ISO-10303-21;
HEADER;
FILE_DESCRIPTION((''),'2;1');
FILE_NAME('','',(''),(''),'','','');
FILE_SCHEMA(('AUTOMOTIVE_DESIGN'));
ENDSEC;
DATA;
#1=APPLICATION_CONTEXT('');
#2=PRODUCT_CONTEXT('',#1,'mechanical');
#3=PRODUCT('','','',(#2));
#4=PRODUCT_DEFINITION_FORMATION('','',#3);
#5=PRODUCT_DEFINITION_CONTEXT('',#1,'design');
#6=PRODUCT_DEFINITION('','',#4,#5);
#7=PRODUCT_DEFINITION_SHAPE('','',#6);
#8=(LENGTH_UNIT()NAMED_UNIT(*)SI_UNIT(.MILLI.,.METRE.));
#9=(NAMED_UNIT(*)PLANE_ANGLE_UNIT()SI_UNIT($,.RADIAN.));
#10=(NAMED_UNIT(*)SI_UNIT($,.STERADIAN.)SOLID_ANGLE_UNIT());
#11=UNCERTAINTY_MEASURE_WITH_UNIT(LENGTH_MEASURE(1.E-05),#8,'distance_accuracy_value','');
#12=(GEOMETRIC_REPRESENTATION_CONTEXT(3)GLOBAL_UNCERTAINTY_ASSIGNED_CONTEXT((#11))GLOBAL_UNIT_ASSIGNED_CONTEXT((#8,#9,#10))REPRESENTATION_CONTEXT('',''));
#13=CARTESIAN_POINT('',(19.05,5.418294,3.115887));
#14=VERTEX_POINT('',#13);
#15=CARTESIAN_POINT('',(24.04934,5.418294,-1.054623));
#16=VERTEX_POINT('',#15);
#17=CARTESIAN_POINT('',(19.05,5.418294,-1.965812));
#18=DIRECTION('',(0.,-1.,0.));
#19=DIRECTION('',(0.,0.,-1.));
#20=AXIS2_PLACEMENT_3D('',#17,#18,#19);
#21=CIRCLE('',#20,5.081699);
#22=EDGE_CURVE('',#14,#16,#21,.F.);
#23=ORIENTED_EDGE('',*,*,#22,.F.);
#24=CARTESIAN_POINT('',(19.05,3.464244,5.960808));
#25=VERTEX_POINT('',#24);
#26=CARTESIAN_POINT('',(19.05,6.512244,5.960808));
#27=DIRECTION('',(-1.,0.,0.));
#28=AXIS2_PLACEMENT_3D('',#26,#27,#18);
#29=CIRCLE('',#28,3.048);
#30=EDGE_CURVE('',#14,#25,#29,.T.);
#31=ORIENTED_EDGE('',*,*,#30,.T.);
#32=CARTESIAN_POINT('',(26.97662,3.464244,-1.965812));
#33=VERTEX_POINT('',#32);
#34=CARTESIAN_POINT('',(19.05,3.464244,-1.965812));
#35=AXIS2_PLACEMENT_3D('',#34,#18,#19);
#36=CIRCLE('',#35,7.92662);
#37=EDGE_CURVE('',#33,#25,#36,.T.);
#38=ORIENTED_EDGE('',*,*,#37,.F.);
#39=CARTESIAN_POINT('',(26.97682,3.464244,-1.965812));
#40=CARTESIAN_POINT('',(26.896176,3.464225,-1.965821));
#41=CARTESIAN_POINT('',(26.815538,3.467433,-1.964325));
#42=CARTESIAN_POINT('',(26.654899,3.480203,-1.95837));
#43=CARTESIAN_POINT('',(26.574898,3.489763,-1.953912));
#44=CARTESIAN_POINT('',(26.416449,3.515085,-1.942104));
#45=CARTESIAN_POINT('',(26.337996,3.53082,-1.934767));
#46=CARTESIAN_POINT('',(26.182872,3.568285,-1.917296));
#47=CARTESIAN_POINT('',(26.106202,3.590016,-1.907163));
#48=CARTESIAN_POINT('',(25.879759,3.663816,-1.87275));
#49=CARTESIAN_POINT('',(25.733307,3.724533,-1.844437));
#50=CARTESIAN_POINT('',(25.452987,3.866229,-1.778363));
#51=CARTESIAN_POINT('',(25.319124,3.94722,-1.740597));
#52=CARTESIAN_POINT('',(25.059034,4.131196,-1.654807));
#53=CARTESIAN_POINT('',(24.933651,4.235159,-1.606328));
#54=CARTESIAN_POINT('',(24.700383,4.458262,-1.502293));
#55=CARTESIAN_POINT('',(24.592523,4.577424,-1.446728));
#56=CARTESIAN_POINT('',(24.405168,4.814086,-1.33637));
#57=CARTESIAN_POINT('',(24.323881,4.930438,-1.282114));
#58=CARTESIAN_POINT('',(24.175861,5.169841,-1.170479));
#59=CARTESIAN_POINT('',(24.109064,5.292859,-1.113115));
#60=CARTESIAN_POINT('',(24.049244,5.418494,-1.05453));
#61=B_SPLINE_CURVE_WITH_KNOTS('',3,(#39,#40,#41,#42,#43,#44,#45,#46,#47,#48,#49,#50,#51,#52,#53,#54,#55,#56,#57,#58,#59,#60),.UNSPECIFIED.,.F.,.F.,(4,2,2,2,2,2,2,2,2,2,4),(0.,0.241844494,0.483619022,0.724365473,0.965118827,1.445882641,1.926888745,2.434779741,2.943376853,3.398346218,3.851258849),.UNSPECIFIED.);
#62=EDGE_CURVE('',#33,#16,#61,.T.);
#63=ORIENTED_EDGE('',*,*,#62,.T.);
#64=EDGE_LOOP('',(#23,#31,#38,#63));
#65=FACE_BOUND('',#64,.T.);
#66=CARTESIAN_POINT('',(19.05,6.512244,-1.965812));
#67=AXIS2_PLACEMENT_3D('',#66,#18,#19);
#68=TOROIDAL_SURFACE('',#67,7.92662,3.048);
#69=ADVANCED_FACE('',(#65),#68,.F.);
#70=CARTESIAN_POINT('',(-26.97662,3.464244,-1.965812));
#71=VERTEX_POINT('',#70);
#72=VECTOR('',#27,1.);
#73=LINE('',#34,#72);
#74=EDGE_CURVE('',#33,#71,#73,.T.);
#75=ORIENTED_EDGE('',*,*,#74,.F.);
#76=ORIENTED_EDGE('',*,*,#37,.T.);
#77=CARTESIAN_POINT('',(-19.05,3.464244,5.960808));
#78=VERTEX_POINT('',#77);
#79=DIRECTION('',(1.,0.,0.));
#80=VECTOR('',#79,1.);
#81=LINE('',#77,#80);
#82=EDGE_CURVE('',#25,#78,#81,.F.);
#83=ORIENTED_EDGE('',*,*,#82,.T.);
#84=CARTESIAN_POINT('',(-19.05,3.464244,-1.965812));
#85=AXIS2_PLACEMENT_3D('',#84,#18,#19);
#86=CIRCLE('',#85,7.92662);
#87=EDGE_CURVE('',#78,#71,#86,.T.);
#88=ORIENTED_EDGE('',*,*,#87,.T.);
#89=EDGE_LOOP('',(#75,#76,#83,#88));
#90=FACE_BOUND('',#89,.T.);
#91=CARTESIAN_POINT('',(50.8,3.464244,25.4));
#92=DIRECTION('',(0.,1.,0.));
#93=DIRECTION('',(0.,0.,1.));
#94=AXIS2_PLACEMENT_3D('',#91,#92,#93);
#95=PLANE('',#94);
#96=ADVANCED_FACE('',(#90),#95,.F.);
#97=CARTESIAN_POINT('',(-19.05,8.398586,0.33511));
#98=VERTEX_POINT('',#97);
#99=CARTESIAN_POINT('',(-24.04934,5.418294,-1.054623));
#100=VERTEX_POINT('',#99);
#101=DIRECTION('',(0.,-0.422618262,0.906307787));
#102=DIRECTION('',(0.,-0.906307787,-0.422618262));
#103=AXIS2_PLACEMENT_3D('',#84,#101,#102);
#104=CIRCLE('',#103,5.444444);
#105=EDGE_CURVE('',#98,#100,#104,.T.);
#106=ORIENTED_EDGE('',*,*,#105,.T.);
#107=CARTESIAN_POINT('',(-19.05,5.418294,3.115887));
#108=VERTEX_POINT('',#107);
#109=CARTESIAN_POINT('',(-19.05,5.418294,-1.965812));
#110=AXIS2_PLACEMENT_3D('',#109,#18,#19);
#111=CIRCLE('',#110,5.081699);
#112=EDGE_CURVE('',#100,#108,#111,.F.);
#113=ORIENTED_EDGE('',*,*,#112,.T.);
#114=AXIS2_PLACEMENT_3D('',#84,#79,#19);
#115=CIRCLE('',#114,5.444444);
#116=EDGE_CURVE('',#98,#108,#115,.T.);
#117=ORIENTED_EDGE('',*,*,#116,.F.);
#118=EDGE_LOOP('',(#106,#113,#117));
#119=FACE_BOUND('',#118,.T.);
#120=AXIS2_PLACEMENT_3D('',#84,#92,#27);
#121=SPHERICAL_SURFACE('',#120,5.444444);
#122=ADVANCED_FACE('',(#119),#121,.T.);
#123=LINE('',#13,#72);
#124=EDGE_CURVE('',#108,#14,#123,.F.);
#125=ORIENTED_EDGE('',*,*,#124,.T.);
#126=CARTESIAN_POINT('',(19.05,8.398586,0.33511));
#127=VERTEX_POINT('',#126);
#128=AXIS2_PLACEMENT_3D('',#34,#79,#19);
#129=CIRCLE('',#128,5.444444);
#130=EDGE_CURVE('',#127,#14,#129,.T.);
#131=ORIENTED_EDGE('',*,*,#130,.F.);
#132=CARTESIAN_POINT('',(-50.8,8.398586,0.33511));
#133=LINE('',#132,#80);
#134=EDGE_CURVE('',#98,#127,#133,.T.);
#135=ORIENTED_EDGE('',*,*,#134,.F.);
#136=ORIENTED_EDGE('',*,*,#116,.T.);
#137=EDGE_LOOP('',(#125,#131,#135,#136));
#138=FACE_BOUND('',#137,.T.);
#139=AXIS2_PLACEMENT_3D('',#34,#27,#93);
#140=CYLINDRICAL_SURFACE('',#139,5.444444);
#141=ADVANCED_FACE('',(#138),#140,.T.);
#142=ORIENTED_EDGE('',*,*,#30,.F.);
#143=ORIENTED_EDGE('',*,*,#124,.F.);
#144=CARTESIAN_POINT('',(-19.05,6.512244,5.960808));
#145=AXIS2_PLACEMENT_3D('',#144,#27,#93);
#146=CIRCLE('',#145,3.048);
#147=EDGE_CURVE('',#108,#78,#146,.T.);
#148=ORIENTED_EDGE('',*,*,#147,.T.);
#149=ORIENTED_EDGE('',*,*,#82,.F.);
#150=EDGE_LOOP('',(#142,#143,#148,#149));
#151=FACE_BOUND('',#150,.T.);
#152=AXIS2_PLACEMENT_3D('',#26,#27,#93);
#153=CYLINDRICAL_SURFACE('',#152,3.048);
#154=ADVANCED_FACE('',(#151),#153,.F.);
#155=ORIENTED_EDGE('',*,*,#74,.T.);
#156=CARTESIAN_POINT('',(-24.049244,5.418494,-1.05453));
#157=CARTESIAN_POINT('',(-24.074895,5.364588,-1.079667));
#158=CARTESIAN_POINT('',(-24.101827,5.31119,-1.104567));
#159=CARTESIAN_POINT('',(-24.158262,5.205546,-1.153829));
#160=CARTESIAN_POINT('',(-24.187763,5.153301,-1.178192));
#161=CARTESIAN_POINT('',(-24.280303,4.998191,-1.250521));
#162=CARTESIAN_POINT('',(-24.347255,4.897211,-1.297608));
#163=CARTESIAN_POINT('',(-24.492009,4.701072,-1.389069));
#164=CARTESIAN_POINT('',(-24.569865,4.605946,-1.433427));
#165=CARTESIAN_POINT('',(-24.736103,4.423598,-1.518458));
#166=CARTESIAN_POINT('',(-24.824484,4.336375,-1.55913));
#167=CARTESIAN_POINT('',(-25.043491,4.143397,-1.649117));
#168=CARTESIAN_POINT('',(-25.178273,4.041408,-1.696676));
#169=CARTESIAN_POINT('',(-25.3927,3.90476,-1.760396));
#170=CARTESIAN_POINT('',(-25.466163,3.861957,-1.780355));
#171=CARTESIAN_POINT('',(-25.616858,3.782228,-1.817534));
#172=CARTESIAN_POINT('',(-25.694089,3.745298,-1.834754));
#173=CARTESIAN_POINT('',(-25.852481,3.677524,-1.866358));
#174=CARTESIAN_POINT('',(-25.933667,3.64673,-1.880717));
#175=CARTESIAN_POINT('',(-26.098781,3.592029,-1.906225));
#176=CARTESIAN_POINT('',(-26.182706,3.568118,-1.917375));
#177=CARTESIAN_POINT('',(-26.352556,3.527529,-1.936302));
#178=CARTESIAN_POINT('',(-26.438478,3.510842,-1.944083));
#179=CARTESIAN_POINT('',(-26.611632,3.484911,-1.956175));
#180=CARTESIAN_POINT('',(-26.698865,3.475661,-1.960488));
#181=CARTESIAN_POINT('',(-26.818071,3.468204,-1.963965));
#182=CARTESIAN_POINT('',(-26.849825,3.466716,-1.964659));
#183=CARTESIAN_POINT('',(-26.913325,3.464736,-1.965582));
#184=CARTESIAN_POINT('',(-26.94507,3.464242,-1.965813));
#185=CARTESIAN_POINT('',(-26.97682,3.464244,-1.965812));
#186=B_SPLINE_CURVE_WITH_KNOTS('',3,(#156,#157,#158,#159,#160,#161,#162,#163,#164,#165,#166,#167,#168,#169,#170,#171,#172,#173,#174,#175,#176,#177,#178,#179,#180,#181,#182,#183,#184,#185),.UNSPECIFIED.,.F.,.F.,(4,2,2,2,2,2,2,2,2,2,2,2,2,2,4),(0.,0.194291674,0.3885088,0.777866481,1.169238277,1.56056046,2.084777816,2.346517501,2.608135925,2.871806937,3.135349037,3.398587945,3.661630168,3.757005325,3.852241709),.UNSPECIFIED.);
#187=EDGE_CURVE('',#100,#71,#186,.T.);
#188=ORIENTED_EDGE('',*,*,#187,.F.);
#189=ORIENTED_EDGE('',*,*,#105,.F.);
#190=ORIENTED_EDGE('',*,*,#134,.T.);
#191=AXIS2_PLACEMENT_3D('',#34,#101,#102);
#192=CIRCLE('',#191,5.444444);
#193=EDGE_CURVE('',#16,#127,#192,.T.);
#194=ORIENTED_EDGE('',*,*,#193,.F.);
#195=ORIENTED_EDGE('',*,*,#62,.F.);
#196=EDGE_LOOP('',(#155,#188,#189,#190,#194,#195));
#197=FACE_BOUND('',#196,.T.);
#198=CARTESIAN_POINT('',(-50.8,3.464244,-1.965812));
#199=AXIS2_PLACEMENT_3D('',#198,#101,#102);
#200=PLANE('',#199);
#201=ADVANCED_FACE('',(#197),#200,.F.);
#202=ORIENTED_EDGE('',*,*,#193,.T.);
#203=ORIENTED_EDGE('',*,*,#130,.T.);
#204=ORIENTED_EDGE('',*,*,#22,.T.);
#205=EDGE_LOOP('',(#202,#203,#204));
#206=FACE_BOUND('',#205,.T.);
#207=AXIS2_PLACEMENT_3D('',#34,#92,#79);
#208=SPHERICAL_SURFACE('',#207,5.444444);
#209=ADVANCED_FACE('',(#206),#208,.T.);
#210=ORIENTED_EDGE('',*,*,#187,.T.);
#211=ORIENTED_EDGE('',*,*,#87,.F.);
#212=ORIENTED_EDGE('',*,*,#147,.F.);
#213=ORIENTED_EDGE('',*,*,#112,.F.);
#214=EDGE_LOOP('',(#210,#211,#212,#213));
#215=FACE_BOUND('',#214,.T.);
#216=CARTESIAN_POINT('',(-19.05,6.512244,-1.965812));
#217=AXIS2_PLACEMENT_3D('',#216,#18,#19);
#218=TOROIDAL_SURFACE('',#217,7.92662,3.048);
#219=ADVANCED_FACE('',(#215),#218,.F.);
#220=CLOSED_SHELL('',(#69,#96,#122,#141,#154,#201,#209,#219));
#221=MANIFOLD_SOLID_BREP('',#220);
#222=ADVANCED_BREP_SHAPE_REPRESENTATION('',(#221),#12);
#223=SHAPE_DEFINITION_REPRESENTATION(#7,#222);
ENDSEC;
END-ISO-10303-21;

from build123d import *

# Parameters (mm, degrees)
SKETCH1_W               = 50.8
SKETCH1_H               = 3.464243611
BASE_EXTRUDE_DEPTH      = 50.8
BOSS_EXTRUDE1_DEPTH     = 19.05
BOSS_REVOLVE1_ANGLE     = 90
FILLET1_R               = 3.048
CUT_EXTRUDE2_DEPTH      = 58.490562181
CUT_EXTRUDE2_DEPTH_BACK = 58.490562181
SKETCH5_W               = 50.8
SKETCH5_H               = 3.464243611
CUT_EXTRUDE1_DEPTH      = 106.06310615


with BuildPart() as part:
    # Sketch1 → Base-Extrude (new, symmetric)
    with BuildSketch(Plane(origin=(0, 0, 0), x_dir=(0, 0, -1), z_dir=(1, 0, 0))):
        with Locations((0, 1.732121806)):
            Rectangle(SKETCH1_W, SKETCH1_H)
    extrude(amount=BASE_EXTRUDE_DEPTH, both=True)

    # Sketch3 → Boss-Extrude1 (add, symmetric)
    with BuildSketch(Plane(origin=(0, 4.664955708, 2.581196581), x_dir=(0, 0, 1), z_dir=(1, 0, 0))):
        with BuildLine():
            Line((-4.547008547, 1.200712097), (-4.547008547, -4.243732347))
            ThreePointArc((-4.547008547, -4.243732347), (-0.697204961, -2.649091489), (0.897435897, 1.200712097))
            Line((0.897435897, 1.200712097), (-4.547008547, 1.200712097))
        make_face()
    extrude(amount=BOSS_EXTRUDE1_DEPTH, both=True)

    # Sketch4 → Boss-Revolve1 (revolve)
    with BuildSketch(Plane.ZY.offset(19.05)):
        with BuildLine():
            Line((-1.965811966, 3.464243611), (3.478632479, 3.464243611))
            ThreePointArc((3.478632479, 3.464243611), (1.883991621, 7.314047197), (-1.965811966, 8.908688055))
            Line((-1.965811966, 8.908688055), (-1.965811966, 3.464243611))
        make_face()
    boss_revolve1 = revolve(axis=Axis((-19.05, 3.464243611, -1.965811966), (0, -1, 0)), revolution_arc=BOSS_REVOLVE1_ANGLE)

    # Mirror1: Boss-Revolve1 across plane
    add(boss_revolve1.mirror(Plane(origin=(0, 0, 0), x_dir=(0, 0, 1), z_dir=(1, 0, 0))))

    # Fillet1
    fillet1_edges = [part.edges().sort_by_distance(p)[0] for p in [
        (0, 3.464243611, 3.478632479),
        (-22.899803586, 3.464243611, 1.883991621),
        (22.899803586, 3.464243611, 1.883991621),
    ]]
    fillet(fillet1_edges, radius=FILLET1_R)

    # Sketch7 → Cut-Extrude2 (cut, two sides: drawn at the far end of the back side and taken through both)
    with BuildSketch(Plane(origin=(0, 0, 0), x_dir=(0, 0, -1), z_dir=(1, 0, 0)).offset(-CUT_EXTRUDE2_DEPTH_BACK)):
        with BuildLine():
            Line((1.965811966, 3.464243611), (-0.335109681, 8.398586007))
            ThreePointArc((-0.335109681, 8.398586007), (0.787418512, 8.779632983), (1.965811966, 8.908688055))
            Line((1.965811966, 8.908688055), (1.965811966, 3.464243611))
        make_face()
    extrude(amount=CUT_EXTRUDE2_DEPTH + CUT_EXTRUDE2_DEPTH_BACK, mode=Mode.SUBTRACT)

    # Sketch5 → Cut-Extrude1 (cut, through all)
    with BuildSketch(Plane.ZY.offset(50.8)):
        with Locations((0, 1.732121806)):
            Rectangle(SKETCH5_W, SKETCH5_H)
    extrude(amount=-CUT_EXTRUDE1_DEPTH, mode=Mode.SUBTRACT)


solid = part.part
